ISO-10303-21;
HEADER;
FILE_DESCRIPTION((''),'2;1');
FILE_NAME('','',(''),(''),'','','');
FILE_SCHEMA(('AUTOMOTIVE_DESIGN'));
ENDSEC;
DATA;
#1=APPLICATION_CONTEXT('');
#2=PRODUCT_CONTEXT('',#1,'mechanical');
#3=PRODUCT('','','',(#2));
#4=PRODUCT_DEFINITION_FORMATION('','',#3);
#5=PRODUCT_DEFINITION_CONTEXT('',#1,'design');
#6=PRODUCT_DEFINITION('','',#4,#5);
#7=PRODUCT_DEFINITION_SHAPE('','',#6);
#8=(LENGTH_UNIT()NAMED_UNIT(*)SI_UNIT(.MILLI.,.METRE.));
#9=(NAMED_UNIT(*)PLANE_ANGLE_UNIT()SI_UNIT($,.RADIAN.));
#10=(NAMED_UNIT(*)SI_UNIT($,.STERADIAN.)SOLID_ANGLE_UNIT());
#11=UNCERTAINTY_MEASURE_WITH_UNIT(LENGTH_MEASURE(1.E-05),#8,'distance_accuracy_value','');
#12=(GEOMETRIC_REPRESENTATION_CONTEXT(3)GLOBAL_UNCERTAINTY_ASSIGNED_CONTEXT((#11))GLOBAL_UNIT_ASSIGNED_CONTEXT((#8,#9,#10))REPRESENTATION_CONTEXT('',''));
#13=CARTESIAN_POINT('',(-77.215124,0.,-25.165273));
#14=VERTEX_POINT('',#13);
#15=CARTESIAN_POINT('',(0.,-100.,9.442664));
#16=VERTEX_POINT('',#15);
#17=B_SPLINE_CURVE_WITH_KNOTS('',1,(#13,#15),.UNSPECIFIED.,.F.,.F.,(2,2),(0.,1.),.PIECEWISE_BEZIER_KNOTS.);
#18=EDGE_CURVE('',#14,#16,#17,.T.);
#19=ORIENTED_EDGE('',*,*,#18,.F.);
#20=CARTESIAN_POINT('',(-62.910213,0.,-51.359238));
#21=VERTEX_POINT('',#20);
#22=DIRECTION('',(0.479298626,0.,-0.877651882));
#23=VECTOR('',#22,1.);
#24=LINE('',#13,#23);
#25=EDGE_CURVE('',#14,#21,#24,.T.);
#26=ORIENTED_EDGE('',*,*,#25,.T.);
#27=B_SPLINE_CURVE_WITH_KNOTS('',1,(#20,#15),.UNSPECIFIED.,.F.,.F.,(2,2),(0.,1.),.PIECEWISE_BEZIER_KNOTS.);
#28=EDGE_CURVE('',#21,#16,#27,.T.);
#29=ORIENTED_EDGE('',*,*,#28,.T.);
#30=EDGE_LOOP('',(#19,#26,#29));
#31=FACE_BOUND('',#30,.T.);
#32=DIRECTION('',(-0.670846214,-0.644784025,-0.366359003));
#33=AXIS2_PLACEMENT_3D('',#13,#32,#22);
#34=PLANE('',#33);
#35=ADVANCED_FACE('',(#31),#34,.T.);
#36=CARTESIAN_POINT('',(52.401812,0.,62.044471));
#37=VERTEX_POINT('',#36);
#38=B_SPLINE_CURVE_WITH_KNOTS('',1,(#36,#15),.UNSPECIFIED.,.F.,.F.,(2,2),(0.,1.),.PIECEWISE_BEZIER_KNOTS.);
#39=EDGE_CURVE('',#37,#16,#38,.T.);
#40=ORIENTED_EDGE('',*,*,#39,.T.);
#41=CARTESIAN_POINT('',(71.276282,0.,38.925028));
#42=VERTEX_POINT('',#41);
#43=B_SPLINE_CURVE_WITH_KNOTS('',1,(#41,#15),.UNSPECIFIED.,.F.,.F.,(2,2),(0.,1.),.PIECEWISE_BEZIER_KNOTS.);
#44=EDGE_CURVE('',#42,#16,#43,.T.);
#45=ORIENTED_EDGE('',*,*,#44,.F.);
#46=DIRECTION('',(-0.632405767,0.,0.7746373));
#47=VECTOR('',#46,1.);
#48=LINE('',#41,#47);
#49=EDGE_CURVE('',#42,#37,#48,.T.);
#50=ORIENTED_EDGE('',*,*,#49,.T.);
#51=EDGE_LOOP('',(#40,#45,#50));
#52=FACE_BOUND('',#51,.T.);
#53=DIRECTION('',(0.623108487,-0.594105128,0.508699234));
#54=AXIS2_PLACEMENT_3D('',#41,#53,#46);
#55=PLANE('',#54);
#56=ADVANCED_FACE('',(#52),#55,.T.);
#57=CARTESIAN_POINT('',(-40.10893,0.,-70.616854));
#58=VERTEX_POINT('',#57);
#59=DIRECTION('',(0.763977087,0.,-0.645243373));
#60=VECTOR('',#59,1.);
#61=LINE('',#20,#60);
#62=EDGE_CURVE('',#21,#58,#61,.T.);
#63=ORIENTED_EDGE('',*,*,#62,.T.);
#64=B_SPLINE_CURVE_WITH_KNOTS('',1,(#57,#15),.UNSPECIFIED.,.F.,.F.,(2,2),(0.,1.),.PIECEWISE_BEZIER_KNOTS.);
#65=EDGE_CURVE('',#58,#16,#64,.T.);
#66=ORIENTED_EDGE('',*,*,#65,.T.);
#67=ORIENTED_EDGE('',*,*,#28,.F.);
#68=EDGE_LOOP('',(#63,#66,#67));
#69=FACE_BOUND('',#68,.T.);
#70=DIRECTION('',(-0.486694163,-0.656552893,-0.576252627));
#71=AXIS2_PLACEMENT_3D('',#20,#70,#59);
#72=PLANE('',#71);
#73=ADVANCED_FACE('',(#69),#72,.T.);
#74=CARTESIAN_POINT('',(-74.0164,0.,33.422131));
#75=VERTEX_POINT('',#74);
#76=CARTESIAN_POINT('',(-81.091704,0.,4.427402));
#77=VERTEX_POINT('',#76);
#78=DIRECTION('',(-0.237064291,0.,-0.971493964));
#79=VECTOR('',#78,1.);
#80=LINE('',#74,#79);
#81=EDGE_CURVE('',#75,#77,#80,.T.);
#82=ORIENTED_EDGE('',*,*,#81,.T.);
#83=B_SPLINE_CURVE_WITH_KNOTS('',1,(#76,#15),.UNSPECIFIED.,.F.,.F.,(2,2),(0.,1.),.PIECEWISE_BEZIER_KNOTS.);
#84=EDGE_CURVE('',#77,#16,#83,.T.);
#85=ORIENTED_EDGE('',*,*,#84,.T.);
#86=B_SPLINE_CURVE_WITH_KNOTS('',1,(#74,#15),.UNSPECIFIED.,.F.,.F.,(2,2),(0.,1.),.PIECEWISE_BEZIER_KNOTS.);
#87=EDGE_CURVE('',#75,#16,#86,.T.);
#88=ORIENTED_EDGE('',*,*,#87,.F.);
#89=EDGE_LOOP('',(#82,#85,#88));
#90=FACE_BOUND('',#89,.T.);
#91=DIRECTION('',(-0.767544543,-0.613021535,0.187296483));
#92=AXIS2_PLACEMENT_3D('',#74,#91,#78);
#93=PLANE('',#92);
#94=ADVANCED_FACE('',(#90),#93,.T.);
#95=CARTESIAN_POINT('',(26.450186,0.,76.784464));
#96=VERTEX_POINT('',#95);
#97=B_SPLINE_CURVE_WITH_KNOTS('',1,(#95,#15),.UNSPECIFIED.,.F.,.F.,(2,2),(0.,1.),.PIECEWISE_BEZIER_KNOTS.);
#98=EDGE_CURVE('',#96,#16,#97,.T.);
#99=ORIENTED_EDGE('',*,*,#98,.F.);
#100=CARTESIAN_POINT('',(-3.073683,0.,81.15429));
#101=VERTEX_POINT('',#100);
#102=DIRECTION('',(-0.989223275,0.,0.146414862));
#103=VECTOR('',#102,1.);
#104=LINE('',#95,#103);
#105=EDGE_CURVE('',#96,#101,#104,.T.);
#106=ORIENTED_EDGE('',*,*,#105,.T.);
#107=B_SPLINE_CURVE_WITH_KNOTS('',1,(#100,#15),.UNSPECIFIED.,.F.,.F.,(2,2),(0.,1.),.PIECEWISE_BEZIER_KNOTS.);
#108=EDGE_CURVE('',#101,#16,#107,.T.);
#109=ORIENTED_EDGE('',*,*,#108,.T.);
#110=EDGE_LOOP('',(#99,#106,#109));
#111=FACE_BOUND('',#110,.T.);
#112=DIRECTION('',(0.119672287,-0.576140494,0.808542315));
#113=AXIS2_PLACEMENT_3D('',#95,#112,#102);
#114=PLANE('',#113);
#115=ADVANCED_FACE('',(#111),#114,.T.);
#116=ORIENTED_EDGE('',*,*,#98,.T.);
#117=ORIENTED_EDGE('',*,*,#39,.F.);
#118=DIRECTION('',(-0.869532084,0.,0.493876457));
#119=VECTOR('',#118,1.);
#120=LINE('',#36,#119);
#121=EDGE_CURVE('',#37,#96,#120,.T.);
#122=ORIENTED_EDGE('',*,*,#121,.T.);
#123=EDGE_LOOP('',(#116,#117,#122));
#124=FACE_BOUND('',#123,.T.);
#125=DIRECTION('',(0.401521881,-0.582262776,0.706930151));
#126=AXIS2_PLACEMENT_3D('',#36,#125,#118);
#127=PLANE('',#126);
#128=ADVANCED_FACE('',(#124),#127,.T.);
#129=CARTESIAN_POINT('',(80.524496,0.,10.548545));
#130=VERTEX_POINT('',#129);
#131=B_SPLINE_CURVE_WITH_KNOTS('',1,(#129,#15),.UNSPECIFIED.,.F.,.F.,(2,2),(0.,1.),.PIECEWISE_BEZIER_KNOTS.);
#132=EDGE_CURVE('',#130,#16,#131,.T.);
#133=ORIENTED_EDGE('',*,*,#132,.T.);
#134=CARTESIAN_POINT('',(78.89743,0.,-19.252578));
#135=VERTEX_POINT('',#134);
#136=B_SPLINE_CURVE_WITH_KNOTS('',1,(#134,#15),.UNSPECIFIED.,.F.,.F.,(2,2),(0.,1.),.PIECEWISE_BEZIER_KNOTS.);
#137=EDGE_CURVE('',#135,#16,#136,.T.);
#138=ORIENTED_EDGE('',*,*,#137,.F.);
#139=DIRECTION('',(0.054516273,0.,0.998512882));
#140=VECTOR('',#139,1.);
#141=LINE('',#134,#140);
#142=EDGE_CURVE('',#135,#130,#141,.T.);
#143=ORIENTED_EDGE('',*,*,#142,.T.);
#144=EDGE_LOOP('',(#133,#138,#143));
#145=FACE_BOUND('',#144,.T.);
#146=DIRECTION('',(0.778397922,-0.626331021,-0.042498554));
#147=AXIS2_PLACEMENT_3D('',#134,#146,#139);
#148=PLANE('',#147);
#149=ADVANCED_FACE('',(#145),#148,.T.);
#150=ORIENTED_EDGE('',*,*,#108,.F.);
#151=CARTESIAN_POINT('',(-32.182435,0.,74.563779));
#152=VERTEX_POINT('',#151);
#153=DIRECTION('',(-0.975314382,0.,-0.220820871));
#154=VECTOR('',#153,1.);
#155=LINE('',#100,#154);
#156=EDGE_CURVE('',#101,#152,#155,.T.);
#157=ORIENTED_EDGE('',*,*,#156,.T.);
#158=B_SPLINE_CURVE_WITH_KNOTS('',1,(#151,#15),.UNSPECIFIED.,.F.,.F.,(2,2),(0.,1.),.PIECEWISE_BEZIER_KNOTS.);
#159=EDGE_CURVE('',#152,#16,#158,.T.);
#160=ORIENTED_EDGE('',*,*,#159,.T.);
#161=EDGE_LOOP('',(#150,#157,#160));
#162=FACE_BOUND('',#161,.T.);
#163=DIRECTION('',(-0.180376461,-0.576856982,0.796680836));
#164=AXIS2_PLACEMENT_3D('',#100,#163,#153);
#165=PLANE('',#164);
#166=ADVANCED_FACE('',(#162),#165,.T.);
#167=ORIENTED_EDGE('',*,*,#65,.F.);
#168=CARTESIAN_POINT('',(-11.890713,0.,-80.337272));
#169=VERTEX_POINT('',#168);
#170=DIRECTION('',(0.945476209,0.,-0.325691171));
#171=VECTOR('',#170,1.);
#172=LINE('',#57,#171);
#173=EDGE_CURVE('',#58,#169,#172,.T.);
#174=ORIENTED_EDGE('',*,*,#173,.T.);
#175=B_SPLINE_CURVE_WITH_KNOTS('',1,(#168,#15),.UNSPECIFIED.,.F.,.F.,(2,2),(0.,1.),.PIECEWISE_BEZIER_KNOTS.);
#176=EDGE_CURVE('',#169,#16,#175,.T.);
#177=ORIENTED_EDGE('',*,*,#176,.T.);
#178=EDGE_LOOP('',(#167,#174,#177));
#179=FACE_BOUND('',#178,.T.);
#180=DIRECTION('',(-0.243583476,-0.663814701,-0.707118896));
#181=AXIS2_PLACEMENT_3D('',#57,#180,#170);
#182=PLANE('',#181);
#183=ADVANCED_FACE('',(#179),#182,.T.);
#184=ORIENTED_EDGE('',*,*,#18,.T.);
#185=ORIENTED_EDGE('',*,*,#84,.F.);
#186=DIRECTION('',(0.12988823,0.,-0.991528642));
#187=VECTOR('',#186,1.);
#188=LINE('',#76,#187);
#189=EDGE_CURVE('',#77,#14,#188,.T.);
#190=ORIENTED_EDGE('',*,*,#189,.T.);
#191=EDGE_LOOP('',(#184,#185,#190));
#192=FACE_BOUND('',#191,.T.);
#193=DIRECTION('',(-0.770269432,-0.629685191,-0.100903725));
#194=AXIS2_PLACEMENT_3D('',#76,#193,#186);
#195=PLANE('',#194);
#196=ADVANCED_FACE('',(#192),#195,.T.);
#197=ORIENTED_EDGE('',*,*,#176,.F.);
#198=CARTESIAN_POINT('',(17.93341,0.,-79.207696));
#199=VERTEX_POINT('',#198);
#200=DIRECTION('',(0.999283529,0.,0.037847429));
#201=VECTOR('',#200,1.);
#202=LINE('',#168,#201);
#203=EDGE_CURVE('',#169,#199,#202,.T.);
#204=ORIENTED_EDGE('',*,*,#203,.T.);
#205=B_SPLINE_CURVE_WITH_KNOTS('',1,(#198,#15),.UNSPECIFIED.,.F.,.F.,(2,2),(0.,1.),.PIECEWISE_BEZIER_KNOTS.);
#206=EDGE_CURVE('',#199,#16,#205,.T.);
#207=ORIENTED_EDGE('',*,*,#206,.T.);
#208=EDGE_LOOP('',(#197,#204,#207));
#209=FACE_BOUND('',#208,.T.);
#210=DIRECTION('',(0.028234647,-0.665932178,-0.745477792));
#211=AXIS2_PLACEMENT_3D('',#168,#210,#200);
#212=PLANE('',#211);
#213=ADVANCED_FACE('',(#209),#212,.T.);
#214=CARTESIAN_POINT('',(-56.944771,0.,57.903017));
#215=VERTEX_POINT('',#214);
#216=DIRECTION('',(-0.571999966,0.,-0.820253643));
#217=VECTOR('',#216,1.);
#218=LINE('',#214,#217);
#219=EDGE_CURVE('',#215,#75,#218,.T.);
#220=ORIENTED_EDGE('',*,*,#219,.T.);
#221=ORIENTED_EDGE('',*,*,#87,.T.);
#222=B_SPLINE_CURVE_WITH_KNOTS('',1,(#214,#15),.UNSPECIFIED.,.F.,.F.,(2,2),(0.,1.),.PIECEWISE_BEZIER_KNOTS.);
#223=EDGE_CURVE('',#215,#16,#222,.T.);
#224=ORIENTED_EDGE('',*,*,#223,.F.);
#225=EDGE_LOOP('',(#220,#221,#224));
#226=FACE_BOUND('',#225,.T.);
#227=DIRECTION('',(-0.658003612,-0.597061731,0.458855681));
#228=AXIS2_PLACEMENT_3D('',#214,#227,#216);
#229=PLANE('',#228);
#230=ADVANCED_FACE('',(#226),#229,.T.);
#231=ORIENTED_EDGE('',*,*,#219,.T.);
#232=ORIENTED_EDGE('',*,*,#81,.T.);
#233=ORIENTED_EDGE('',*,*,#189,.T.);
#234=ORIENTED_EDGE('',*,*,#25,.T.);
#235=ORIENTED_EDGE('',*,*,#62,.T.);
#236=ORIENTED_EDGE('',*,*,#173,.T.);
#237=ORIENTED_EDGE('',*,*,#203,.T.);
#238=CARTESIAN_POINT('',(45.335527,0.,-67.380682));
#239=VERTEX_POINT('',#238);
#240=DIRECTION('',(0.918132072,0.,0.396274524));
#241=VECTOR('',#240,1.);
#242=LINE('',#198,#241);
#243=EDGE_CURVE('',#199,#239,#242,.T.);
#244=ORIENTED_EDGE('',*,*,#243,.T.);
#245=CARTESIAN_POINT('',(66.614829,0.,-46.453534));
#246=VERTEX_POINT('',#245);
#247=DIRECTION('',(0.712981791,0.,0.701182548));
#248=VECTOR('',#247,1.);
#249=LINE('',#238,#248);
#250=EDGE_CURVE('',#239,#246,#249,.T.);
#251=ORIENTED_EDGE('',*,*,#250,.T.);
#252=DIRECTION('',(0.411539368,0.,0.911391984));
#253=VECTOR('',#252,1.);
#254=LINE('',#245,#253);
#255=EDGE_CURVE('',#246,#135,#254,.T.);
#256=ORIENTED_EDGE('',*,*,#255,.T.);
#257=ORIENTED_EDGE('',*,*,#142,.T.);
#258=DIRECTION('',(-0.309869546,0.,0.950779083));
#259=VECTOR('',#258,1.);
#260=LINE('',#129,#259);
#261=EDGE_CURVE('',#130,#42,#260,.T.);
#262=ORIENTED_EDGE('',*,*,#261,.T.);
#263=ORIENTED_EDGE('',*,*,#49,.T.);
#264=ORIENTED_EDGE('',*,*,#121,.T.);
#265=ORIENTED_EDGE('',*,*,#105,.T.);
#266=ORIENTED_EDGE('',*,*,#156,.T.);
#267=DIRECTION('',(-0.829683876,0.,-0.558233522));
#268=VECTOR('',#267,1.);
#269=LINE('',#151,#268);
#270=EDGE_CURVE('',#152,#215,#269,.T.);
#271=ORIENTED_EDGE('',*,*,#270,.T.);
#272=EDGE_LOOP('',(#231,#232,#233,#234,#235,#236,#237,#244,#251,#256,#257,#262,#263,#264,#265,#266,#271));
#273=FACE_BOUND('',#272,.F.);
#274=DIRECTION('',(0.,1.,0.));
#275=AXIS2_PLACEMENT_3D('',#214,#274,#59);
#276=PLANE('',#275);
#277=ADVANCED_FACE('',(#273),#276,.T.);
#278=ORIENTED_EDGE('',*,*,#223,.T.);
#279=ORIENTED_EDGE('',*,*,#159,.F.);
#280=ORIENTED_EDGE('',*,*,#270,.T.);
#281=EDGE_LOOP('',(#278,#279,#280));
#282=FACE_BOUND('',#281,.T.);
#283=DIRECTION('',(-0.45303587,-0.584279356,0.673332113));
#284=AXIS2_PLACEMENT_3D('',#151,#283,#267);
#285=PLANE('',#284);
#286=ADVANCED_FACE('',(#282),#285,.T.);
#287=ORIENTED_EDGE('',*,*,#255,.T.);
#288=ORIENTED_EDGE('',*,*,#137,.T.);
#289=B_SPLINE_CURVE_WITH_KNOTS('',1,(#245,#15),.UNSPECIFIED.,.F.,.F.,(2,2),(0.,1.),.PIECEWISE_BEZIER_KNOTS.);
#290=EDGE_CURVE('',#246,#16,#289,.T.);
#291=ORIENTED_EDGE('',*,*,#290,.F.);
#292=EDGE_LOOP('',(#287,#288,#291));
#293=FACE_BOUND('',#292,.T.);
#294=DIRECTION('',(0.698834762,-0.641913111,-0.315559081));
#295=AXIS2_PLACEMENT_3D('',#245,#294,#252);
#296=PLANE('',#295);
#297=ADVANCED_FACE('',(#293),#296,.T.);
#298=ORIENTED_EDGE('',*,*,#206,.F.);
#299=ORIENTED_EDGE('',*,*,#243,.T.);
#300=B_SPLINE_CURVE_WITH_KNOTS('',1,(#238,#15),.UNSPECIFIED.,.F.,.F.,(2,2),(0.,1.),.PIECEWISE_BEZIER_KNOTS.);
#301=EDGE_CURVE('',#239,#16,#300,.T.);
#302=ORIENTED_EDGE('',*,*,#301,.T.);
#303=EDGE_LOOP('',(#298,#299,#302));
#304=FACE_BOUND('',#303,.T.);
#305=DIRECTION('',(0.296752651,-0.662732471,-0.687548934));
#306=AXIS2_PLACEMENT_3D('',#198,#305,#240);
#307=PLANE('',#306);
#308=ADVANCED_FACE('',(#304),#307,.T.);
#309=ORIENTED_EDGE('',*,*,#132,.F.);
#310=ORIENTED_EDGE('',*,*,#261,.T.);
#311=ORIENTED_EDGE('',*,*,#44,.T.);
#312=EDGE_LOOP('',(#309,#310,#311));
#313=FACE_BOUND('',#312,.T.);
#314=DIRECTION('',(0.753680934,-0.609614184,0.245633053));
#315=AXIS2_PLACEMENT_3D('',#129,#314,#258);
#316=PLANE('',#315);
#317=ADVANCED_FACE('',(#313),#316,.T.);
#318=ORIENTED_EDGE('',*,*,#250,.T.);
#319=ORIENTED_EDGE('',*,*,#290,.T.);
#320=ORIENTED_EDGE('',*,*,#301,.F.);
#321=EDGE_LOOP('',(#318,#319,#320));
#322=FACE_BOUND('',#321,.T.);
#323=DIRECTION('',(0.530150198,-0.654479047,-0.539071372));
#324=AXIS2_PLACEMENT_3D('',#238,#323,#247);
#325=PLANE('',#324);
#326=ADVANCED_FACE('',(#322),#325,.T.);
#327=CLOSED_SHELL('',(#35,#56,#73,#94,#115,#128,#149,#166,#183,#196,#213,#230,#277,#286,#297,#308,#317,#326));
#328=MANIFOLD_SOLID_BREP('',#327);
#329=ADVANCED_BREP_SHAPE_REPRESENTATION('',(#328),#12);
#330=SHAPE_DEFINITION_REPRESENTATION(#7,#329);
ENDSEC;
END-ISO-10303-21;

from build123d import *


with BuildPart() as f3:
    # F0 (on Front) → F3 section 0
    with BuildSketch(Plane.XZ, mode=Mode.PRIVATE) as f3_s0:
        Polygon((-56.9447709006, 57.9030166363), (-74.0163996816, 33.4221310914), (-81.0917035465, 4.4274015441), (-77.2151235029, -25.1652731148), (-62.9102131664, -51.359238194), (-40.1089299443, -70.6168535637), (-11.8907134819, -80.3372715581), (17.9334097249, -79.2076958644), (45.3355265759, -67.3806819392), (66.61482935, -46.4535335489), (78.8974302949, -19.2525780449), (80.5244960927, 10.5485448063), (71.2762824915, 38.9250282299), (52.4018119844, 62.0444709), (26.4501864003, 76.7844639748), (-3.0736834227, 81.1542897124), (-32.1824352676, 74.5637789329), align=None)
    loft([f3_s0.sketch, Vertex(0, -100, 9.4426637515)])


solid = f3.part
